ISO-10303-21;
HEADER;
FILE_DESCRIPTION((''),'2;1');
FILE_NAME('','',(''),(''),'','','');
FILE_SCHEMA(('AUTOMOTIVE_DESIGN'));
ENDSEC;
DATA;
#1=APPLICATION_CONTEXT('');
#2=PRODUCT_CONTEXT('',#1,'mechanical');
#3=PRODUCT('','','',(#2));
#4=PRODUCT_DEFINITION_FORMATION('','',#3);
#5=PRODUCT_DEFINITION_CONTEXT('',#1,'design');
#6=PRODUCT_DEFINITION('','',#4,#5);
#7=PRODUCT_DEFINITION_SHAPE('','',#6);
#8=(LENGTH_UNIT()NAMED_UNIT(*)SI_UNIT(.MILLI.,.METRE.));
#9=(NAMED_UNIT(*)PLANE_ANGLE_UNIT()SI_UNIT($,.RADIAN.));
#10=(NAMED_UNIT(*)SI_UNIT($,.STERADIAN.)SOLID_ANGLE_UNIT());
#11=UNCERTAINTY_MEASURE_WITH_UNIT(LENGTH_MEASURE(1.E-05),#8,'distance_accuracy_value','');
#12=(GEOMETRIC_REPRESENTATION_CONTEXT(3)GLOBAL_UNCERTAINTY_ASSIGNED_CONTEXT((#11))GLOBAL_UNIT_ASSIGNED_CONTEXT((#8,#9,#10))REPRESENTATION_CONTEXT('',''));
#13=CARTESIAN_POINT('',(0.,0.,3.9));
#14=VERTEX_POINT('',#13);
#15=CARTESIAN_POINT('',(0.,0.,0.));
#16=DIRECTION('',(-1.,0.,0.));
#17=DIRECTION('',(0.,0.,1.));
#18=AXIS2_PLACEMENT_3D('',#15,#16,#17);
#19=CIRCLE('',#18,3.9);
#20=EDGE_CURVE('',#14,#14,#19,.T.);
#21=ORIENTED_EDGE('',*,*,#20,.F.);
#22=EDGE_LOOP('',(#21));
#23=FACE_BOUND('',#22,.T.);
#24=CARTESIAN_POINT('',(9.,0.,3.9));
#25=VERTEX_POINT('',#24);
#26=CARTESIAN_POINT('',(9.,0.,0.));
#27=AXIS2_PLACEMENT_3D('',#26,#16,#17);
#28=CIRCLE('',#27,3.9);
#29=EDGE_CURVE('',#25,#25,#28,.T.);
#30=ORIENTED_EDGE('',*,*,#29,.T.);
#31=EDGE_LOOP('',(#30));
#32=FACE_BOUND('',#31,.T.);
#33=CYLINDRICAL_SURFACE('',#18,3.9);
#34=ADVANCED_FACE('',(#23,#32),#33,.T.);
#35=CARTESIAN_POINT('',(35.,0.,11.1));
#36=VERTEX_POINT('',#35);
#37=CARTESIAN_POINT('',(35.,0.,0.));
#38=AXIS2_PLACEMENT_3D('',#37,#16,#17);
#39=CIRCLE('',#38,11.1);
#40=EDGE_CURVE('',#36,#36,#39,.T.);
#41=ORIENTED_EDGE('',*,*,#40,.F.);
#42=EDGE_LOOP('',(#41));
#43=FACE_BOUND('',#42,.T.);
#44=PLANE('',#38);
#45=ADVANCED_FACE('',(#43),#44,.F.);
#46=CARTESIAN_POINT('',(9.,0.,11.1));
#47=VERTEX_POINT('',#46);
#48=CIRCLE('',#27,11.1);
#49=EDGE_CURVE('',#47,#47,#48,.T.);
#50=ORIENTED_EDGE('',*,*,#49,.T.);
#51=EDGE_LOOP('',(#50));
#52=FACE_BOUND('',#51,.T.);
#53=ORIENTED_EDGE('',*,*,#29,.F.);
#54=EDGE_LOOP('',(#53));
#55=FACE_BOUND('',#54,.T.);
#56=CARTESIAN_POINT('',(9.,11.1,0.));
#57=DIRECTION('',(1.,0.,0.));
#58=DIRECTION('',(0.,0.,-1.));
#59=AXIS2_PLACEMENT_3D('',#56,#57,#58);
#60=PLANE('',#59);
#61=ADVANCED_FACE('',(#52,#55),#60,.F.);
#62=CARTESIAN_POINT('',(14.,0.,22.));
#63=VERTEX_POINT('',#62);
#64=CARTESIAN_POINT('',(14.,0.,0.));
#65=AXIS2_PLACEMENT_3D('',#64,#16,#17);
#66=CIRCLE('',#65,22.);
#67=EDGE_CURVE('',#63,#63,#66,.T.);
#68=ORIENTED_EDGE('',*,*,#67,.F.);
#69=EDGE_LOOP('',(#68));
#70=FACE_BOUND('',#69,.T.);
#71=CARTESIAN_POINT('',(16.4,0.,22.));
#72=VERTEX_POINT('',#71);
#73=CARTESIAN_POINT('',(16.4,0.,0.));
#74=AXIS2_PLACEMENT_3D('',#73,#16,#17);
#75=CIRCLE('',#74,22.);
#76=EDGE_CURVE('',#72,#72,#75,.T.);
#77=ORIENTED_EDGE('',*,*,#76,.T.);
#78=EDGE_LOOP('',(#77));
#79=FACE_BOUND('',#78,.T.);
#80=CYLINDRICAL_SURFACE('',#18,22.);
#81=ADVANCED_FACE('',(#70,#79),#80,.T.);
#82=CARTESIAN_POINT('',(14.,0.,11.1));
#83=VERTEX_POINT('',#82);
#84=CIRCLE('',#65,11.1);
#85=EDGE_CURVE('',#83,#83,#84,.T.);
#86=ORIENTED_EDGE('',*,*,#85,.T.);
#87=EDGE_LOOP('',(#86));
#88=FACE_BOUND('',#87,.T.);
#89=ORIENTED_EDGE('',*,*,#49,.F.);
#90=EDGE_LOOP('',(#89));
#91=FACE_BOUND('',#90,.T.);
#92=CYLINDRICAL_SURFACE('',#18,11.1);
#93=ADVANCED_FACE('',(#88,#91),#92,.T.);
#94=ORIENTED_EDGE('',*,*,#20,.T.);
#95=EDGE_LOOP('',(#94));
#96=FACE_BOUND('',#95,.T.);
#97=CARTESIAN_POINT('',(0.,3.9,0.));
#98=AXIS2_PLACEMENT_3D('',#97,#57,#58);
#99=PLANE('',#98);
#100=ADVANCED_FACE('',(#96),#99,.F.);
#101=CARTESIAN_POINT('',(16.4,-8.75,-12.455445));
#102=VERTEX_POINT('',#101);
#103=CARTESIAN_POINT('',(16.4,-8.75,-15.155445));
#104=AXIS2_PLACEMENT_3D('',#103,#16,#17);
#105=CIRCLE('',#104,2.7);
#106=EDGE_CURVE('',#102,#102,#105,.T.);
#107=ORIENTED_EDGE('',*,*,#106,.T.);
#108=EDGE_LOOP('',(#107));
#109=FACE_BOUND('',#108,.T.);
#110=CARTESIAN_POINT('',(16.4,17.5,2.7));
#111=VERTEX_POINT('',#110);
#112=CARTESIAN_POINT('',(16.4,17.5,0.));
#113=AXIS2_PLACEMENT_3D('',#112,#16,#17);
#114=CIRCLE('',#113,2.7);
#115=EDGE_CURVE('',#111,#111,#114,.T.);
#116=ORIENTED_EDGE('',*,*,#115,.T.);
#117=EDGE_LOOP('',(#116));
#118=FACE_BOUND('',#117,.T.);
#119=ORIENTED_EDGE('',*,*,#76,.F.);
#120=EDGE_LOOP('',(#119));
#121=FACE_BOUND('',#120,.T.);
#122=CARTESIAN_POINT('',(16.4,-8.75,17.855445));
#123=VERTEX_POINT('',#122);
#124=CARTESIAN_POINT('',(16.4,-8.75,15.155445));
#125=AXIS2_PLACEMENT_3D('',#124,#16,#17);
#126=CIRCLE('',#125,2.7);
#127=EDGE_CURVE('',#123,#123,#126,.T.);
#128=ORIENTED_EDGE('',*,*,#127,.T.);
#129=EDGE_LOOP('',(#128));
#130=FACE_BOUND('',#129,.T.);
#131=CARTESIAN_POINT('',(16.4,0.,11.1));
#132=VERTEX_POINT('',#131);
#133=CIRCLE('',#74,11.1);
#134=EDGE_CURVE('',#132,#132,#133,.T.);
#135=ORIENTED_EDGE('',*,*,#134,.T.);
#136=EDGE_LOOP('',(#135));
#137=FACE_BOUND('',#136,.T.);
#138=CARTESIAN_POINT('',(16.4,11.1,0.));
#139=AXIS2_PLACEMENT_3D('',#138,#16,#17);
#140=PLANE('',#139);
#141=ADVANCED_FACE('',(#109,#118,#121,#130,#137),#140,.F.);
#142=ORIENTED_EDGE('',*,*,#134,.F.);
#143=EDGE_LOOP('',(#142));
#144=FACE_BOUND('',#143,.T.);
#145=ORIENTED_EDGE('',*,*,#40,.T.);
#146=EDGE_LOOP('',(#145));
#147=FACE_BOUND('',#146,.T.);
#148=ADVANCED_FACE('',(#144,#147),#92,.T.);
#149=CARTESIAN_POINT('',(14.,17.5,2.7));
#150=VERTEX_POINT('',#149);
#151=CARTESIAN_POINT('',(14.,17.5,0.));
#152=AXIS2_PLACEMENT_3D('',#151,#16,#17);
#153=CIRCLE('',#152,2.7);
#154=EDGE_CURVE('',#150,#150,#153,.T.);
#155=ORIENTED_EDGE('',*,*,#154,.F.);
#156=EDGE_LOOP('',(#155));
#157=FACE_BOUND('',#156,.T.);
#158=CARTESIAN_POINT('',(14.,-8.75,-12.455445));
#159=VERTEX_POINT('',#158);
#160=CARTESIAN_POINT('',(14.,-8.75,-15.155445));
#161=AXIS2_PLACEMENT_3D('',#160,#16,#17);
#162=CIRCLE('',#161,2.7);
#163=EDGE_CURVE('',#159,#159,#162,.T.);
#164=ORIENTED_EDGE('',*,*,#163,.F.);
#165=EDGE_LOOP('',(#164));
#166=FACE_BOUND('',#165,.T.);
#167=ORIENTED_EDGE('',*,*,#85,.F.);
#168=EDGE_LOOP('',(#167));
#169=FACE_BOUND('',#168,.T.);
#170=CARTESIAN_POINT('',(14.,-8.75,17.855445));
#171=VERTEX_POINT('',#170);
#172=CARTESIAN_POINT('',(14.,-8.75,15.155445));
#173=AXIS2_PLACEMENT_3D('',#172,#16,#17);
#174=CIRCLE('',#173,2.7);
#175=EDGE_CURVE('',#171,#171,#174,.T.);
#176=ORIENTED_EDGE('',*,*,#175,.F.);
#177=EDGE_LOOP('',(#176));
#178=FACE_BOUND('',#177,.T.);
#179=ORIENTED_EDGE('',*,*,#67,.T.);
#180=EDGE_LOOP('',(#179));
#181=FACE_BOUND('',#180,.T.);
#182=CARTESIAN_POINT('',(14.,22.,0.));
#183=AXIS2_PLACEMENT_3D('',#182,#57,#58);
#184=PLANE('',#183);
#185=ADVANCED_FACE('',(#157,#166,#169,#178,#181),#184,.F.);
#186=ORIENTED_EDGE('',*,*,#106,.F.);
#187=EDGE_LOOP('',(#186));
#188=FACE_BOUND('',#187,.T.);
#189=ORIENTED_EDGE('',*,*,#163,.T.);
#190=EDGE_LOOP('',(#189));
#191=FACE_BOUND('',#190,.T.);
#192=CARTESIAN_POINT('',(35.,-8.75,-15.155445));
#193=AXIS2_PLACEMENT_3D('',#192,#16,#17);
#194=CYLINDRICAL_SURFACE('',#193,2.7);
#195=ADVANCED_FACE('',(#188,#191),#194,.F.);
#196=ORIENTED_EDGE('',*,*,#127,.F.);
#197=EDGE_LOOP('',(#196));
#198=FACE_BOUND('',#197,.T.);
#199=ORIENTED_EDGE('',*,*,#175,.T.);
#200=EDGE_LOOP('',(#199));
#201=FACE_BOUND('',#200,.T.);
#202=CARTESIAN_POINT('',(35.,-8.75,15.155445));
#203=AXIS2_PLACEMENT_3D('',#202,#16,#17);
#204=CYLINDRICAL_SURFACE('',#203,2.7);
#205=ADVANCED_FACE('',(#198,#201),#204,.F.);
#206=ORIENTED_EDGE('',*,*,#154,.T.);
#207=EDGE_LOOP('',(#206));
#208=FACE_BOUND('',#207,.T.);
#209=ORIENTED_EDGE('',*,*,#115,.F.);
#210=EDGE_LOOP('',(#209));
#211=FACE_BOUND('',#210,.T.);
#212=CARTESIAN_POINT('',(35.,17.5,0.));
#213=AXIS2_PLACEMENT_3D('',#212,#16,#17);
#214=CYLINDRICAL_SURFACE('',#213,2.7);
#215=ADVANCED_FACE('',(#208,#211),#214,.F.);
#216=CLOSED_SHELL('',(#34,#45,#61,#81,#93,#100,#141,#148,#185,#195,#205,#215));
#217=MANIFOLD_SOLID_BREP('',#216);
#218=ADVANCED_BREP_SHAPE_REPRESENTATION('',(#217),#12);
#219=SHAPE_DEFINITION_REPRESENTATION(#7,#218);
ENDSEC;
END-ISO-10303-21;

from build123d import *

# Parameters (mm, degrees)
SKETCH2_R          = 2.7
CUT_EXTRUDE1_DEPTH = 22


with BuildPart() as part:
    # Sketch1 → Revolve1 (revolve)
    with BuildSketch(Plane.XY):
        Polygon((0, 0), (35, 0), (35, 11.1), (16.4, 11.1), (16.4, 22), (14, 22), (14, 11.1), (9, 11.1), (9, 3.9), (0, 3.9), align=None)
    revolve(axis=Axis((0, 0, 0), (1, 0, 0)))

    # Sketch2 → Cut-Extrude1 (cut, through all)
    with BuildSketch(Plane.ZY.offset(-14)):
        with Locations((0, 17.5)):
            Circle(SKETCH2_R)
        with Locations((15.155444566, -8.75)):
            Circle(SKETCH2_R)
        with Locations((-15.155444566, -8.75)):
            Circle(SKETCH2_R)
    extrude(amount=-CUT_EXTRUDE1_DEPTH, mode=Mode.SUBTRACT)


solid = part.part
